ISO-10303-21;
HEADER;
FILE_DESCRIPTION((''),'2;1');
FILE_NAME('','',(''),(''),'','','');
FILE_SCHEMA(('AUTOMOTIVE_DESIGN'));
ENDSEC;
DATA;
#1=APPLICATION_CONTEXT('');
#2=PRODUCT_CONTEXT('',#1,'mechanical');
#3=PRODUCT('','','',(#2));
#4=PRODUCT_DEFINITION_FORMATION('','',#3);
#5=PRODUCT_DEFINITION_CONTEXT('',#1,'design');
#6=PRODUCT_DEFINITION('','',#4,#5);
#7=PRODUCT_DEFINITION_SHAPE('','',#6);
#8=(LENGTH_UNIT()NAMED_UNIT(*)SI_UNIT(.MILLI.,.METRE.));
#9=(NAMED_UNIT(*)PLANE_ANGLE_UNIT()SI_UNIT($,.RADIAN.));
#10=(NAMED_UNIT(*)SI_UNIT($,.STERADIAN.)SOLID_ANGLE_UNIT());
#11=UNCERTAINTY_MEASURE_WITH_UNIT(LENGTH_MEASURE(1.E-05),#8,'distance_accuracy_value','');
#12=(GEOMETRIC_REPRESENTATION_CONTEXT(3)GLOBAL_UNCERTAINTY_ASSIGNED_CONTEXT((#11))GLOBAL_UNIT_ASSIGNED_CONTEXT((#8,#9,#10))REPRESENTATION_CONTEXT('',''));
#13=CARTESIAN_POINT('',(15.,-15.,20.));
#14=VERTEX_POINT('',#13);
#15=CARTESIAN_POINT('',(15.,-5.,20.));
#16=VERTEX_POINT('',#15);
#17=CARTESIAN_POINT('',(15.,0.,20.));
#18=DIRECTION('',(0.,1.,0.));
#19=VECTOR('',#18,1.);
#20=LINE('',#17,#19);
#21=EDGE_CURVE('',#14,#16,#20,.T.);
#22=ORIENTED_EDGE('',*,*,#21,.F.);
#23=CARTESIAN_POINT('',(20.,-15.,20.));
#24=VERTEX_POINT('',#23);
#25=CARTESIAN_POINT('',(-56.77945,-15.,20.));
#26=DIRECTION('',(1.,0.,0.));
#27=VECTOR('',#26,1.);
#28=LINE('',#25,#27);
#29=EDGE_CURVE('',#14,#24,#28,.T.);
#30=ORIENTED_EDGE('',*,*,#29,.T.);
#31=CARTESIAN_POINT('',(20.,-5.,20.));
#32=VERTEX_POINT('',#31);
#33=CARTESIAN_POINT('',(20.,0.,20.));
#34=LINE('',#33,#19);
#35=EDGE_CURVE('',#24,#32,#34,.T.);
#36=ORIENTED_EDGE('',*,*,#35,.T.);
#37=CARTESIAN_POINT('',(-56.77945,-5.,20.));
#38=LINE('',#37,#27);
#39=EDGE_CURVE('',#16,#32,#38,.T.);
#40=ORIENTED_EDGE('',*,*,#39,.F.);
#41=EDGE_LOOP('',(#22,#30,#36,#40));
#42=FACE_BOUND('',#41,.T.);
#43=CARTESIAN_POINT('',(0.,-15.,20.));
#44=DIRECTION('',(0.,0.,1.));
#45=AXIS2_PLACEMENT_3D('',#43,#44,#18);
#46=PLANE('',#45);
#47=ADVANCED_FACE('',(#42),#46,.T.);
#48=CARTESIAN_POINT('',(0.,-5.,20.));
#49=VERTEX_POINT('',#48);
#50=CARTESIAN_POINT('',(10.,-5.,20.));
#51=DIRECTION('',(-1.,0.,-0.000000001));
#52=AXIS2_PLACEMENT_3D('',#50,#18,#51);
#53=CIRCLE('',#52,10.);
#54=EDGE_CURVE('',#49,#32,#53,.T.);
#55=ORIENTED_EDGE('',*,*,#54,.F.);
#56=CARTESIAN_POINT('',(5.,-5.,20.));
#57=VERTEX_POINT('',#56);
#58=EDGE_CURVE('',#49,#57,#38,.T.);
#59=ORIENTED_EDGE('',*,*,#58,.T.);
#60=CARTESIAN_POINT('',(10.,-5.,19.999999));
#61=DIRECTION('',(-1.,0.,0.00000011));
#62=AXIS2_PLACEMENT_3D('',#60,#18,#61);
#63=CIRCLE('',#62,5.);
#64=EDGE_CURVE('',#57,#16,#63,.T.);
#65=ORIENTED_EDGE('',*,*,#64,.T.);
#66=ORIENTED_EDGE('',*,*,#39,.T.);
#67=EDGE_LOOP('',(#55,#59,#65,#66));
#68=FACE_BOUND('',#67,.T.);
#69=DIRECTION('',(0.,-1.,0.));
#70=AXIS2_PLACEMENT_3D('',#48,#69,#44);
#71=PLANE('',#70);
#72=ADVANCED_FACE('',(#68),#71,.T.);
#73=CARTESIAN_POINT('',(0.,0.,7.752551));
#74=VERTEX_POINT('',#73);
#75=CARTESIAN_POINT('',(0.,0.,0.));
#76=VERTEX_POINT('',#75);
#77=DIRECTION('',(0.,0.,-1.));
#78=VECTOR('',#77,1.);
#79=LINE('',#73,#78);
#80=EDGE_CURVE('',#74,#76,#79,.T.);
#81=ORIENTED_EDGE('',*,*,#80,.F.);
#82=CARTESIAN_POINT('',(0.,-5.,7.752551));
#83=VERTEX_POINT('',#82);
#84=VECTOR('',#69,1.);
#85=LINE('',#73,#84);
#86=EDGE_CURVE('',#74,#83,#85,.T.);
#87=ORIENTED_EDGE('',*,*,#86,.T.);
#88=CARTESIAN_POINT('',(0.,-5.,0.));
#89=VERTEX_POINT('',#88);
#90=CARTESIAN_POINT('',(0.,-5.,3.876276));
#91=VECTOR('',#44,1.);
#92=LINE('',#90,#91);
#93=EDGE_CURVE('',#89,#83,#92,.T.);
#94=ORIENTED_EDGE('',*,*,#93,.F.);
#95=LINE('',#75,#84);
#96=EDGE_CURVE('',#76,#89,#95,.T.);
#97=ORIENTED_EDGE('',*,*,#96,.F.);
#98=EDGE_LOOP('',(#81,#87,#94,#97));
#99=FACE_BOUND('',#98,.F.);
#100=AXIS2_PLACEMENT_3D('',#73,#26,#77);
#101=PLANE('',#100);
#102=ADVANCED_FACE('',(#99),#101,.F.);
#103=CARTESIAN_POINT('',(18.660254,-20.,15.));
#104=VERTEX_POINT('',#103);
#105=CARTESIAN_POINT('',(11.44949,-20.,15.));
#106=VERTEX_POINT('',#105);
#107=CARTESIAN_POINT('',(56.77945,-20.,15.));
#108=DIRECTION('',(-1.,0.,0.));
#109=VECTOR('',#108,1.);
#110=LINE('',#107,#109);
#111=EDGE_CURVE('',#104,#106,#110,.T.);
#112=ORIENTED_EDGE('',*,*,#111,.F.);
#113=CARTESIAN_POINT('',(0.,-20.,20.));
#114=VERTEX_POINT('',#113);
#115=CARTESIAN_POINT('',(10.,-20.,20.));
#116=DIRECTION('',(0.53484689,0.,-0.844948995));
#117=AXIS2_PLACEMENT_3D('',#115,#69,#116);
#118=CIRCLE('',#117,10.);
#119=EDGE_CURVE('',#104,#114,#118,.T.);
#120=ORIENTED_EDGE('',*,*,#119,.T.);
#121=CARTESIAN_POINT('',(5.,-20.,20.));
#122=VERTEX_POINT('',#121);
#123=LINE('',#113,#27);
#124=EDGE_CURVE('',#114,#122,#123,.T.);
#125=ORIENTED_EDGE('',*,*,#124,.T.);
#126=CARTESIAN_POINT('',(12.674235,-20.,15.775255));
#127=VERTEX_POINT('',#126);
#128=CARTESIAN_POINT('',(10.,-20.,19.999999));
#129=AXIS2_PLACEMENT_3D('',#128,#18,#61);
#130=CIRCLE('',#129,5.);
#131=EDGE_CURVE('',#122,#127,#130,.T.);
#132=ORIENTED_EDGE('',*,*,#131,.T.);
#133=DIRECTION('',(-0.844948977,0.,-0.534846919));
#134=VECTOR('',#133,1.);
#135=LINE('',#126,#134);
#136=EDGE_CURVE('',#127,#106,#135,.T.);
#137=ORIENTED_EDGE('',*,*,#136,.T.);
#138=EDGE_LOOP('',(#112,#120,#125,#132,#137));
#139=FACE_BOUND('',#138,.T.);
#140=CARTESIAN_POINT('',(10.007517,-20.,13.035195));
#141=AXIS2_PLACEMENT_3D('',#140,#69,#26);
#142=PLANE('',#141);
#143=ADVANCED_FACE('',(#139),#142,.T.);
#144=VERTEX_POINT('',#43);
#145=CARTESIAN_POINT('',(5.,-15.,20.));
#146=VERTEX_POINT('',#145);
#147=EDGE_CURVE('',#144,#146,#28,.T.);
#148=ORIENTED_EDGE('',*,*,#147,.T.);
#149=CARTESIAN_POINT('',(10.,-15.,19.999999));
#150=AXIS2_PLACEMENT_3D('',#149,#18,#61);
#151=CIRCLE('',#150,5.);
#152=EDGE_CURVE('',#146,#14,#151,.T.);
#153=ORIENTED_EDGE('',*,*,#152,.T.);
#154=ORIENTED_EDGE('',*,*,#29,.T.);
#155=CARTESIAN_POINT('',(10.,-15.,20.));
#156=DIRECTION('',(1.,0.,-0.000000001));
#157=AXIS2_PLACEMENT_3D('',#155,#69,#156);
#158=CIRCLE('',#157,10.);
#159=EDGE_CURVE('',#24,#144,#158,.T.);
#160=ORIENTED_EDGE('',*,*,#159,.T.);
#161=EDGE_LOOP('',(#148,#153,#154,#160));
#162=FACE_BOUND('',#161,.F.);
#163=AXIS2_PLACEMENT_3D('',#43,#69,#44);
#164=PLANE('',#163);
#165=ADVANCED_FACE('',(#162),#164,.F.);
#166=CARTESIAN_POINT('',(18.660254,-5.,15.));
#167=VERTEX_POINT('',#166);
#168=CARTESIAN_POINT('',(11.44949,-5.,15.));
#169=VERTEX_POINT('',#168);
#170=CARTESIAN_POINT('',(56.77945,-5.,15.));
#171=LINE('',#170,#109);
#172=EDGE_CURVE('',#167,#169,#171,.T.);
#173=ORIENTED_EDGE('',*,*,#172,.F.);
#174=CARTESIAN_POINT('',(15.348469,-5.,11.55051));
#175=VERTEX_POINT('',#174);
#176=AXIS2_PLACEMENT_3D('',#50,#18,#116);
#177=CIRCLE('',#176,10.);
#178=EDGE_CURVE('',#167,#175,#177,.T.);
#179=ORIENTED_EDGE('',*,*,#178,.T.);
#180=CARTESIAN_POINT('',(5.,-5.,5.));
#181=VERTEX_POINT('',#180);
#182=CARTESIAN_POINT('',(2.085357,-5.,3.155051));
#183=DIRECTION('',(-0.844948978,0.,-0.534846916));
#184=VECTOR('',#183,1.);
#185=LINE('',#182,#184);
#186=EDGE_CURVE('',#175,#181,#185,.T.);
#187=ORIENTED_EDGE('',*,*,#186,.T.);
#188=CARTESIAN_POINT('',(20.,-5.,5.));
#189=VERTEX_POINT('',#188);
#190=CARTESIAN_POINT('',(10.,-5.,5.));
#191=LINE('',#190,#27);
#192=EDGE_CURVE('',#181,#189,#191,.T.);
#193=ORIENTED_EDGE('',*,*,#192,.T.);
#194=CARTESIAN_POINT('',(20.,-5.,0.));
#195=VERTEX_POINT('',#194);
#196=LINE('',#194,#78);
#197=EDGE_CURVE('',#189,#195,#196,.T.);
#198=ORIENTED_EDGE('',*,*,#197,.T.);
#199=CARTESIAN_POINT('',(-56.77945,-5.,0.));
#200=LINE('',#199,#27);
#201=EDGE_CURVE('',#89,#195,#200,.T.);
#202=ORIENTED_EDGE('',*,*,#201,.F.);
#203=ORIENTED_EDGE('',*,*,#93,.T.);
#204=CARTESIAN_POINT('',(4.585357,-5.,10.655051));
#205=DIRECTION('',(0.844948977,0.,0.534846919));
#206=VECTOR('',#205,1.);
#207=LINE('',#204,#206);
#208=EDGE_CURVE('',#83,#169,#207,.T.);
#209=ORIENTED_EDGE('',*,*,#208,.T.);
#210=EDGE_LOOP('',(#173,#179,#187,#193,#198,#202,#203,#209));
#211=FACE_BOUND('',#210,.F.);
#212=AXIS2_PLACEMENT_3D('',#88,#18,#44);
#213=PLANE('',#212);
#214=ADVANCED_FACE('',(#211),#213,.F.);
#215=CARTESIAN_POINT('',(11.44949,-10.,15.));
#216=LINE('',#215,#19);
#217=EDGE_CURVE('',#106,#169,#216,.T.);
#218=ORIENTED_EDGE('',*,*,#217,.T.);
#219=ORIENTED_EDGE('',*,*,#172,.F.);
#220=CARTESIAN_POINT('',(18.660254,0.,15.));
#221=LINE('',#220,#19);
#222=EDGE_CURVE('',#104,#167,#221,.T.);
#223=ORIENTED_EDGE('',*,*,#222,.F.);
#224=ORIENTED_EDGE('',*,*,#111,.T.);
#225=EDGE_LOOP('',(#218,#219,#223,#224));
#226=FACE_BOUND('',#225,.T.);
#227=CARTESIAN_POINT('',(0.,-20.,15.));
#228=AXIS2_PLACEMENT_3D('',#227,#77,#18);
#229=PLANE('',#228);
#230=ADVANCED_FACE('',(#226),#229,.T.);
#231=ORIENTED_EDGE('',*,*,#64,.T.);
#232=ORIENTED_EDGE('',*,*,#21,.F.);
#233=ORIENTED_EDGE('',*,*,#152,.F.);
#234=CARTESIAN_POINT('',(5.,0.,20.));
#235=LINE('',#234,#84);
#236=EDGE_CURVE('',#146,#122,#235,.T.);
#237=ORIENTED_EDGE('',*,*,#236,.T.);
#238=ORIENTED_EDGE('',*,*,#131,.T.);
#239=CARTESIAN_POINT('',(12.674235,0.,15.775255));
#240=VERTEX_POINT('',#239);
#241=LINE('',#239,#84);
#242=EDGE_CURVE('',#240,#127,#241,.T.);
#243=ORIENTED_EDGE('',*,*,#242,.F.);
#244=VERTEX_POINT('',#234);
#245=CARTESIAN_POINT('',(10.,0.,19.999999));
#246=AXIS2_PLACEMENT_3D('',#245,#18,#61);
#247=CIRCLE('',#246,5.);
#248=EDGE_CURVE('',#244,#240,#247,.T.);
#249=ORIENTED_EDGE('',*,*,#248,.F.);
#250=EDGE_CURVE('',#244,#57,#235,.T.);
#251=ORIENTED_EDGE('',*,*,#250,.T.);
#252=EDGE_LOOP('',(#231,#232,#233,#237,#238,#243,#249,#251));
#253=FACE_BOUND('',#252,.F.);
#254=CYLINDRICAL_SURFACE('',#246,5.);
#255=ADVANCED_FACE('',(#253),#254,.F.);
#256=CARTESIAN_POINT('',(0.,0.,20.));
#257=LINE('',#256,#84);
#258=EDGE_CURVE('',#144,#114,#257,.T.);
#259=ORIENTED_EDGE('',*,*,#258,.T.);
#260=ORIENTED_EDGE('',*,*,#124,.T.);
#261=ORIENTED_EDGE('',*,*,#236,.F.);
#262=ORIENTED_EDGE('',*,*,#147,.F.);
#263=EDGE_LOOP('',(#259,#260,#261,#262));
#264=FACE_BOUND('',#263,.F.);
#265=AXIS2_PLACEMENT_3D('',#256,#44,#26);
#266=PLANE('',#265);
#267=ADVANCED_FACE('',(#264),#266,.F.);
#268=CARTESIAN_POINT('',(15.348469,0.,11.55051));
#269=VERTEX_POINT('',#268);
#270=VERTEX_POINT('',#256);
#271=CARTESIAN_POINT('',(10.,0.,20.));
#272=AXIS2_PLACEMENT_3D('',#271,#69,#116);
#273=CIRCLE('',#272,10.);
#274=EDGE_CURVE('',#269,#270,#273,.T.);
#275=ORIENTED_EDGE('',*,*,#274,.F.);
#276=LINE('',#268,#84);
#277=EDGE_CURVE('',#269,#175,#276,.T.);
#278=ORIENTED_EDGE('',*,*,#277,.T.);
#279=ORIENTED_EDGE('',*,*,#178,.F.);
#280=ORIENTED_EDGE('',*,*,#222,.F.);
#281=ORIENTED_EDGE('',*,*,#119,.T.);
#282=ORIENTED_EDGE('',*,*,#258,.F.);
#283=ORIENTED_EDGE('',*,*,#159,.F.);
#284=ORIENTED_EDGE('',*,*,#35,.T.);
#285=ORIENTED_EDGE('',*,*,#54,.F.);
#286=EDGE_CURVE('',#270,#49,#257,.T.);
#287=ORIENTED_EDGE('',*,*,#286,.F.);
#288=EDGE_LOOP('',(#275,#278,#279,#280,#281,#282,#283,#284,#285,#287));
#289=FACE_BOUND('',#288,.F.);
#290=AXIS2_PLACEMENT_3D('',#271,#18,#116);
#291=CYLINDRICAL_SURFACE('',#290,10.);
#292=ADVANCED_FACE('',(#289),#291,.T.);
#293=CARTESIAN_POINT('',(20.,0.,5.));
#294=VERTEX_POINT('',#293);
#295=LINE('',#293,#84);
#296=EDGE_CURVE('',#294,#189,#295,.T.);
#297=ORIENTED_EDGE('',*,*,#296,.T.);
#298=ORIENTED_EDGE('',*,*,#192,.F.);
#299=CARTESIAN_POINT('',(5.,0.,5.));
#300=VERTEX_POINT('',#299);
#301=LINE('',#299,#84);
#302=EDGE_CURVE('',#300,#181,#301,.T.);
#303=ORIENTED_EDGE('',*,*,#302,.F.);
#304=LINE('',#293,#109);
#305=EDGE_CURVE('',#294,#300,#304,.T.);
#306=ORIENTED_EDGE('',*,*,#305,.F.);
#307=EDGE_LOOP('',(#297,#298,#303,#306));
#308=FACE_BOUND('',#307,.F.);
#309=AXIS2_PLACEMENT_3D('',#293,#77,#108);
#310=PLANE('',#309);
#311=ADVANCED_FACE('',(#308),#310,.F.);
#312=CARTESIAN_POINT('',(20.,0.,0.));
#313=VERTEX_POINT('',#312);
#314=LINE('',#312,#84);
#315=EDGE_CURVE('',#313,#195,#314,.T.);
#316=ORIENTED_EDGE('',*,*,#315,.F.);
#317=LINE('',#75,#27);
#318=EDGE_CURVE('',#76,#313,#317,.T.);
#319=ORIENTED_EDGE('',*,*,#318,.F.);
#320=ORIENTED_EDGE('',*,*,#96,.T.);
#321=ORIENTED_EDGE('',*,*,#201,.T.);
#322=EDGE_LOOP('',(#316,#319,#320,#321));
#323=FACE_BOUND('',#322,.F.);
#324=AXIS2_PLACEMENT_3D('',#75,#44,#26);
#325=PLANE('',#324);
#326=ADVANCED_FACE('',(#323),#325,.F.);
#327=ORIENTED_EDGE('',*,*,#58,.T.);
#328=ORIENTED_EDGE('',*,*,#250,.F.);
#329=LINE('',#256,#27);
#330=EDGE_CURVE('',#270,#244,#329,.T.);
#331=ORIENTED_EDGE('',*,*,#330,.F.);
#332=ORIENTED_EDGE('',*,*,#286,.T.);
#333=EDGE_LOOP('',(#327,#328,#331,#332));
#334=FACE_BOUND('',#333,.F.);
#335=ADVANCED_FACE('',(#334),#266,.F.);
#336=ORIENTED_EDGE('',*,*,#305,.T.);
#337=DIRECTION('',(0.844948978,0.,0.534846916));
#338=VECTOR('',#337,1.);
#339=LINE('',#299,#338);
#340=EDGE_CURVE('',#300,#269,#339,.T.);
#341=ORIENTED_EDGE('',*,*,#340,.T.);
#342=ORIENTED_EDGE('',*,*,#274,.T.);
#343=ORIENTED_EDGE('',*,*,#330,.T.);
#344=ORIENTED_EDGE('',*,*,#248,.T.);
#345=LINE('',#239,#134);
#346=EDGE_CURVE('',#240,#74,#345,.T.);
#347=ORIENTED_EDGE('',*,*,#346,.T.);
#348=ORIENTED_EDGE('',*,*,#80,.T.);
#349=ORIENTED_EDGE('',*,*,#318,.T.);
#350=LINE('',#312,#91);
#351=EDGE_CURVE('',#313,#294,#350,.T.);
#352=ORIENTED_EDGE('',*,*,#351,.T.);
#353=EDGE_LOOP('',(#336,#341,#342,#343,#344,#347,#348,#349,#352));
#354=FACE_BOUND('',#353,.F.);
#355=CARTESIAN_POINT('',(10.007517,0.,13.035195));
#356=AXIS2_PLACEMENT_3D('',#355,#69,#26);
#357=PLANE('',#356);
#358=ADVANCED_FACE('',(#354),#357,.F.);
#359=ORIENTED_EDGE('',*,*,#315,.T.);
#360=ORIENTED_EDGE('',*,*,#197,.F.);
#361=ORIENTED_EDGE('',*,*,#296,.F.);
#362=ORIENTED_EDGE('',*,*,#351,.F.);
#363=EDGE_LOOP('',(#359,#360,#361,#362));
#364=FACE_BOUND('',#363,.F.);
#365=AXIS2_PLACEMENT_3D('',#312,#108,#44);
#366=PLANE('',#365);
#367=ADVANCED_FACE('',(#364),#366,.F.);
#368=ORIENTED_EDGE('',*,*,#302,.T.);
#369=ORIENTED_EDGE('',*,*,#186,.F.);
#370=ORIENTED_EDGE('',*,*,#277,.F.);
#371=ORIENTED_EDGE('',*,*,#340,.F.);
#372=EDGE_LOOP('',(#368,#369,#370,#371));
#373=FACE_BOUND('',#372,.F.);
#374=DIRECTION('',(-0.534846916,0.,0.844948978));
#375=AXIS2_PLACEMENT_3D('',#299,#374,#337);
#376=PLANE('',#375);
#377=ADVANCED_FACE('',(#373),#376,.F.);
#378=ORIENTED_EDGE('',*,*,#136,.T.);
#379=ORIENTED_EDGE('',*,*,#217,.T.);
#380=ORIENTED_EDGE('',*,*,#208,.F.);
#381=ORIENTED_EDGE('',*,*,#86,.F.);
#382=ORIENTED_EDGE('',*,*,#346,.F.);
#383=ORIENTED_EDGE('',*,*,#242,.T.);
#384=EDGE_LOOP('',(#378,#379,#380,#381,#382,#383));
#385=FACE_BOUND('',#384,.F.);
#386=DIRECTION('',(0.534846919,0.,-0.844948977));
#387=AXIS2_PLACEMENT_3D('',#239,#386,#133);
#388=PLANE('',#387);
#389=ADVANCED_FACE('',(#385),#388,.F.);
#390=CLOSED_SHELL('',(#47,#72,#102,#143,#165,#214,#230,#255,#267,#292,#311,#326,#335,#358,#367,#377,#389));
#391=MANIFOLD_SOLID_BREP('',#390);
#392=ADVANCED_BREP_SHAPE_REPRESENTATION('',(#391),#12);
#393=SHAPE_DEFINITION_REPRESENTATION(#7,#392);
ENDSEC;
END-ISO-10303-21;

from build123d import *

# Parameters (mm, degrees)
F1_DEPTH = 20
F2_W     = 10
F2_H     = 10
F2_W_2   = 15
F2_H_2   = 15
F3_DEPTH = 56.77945


with BuildPart() as f1:
    # F0 (on Front) → F1 (new body)
    with BuildSketch(Plane.XZ):
        with BuildLine():
            Line((0, 7.752551), (0, 0))
            Line((0, 0), (20, 0))
            Line((20, 0), (20, 5))
            Line((20, 5), (5, 5))
            Line((5, 5), (15.348469, 11.55051))
            ThreePointArc((15.348469, 11.55051), (14.822619, 28.760271), (0, 20))
            Line((0, 20), (5, 20))
            ThreePointArc((5, 20), (12.411309, 24.380135), (12.674235, 15.775255))
            Line((12.674235, 15.775255), (0, 7.752551))
        make_face()
    extrude(amount=F1_DEPTH)

    # F2 (on Right) → F3 (cut, symmetric)
    with BuildSketch(Plane.YZ):
        with Locations((-10, 25)):
            Rectangle(F2_W, F2_H)
        with Locations((-12.5, 7.5)):
            Rectangle(F2_W_2, F2_H_2)
    extrude(amount=F3_DEPTH, both=True, mode=Mode.SUBTRACT)


solid = f1.part
